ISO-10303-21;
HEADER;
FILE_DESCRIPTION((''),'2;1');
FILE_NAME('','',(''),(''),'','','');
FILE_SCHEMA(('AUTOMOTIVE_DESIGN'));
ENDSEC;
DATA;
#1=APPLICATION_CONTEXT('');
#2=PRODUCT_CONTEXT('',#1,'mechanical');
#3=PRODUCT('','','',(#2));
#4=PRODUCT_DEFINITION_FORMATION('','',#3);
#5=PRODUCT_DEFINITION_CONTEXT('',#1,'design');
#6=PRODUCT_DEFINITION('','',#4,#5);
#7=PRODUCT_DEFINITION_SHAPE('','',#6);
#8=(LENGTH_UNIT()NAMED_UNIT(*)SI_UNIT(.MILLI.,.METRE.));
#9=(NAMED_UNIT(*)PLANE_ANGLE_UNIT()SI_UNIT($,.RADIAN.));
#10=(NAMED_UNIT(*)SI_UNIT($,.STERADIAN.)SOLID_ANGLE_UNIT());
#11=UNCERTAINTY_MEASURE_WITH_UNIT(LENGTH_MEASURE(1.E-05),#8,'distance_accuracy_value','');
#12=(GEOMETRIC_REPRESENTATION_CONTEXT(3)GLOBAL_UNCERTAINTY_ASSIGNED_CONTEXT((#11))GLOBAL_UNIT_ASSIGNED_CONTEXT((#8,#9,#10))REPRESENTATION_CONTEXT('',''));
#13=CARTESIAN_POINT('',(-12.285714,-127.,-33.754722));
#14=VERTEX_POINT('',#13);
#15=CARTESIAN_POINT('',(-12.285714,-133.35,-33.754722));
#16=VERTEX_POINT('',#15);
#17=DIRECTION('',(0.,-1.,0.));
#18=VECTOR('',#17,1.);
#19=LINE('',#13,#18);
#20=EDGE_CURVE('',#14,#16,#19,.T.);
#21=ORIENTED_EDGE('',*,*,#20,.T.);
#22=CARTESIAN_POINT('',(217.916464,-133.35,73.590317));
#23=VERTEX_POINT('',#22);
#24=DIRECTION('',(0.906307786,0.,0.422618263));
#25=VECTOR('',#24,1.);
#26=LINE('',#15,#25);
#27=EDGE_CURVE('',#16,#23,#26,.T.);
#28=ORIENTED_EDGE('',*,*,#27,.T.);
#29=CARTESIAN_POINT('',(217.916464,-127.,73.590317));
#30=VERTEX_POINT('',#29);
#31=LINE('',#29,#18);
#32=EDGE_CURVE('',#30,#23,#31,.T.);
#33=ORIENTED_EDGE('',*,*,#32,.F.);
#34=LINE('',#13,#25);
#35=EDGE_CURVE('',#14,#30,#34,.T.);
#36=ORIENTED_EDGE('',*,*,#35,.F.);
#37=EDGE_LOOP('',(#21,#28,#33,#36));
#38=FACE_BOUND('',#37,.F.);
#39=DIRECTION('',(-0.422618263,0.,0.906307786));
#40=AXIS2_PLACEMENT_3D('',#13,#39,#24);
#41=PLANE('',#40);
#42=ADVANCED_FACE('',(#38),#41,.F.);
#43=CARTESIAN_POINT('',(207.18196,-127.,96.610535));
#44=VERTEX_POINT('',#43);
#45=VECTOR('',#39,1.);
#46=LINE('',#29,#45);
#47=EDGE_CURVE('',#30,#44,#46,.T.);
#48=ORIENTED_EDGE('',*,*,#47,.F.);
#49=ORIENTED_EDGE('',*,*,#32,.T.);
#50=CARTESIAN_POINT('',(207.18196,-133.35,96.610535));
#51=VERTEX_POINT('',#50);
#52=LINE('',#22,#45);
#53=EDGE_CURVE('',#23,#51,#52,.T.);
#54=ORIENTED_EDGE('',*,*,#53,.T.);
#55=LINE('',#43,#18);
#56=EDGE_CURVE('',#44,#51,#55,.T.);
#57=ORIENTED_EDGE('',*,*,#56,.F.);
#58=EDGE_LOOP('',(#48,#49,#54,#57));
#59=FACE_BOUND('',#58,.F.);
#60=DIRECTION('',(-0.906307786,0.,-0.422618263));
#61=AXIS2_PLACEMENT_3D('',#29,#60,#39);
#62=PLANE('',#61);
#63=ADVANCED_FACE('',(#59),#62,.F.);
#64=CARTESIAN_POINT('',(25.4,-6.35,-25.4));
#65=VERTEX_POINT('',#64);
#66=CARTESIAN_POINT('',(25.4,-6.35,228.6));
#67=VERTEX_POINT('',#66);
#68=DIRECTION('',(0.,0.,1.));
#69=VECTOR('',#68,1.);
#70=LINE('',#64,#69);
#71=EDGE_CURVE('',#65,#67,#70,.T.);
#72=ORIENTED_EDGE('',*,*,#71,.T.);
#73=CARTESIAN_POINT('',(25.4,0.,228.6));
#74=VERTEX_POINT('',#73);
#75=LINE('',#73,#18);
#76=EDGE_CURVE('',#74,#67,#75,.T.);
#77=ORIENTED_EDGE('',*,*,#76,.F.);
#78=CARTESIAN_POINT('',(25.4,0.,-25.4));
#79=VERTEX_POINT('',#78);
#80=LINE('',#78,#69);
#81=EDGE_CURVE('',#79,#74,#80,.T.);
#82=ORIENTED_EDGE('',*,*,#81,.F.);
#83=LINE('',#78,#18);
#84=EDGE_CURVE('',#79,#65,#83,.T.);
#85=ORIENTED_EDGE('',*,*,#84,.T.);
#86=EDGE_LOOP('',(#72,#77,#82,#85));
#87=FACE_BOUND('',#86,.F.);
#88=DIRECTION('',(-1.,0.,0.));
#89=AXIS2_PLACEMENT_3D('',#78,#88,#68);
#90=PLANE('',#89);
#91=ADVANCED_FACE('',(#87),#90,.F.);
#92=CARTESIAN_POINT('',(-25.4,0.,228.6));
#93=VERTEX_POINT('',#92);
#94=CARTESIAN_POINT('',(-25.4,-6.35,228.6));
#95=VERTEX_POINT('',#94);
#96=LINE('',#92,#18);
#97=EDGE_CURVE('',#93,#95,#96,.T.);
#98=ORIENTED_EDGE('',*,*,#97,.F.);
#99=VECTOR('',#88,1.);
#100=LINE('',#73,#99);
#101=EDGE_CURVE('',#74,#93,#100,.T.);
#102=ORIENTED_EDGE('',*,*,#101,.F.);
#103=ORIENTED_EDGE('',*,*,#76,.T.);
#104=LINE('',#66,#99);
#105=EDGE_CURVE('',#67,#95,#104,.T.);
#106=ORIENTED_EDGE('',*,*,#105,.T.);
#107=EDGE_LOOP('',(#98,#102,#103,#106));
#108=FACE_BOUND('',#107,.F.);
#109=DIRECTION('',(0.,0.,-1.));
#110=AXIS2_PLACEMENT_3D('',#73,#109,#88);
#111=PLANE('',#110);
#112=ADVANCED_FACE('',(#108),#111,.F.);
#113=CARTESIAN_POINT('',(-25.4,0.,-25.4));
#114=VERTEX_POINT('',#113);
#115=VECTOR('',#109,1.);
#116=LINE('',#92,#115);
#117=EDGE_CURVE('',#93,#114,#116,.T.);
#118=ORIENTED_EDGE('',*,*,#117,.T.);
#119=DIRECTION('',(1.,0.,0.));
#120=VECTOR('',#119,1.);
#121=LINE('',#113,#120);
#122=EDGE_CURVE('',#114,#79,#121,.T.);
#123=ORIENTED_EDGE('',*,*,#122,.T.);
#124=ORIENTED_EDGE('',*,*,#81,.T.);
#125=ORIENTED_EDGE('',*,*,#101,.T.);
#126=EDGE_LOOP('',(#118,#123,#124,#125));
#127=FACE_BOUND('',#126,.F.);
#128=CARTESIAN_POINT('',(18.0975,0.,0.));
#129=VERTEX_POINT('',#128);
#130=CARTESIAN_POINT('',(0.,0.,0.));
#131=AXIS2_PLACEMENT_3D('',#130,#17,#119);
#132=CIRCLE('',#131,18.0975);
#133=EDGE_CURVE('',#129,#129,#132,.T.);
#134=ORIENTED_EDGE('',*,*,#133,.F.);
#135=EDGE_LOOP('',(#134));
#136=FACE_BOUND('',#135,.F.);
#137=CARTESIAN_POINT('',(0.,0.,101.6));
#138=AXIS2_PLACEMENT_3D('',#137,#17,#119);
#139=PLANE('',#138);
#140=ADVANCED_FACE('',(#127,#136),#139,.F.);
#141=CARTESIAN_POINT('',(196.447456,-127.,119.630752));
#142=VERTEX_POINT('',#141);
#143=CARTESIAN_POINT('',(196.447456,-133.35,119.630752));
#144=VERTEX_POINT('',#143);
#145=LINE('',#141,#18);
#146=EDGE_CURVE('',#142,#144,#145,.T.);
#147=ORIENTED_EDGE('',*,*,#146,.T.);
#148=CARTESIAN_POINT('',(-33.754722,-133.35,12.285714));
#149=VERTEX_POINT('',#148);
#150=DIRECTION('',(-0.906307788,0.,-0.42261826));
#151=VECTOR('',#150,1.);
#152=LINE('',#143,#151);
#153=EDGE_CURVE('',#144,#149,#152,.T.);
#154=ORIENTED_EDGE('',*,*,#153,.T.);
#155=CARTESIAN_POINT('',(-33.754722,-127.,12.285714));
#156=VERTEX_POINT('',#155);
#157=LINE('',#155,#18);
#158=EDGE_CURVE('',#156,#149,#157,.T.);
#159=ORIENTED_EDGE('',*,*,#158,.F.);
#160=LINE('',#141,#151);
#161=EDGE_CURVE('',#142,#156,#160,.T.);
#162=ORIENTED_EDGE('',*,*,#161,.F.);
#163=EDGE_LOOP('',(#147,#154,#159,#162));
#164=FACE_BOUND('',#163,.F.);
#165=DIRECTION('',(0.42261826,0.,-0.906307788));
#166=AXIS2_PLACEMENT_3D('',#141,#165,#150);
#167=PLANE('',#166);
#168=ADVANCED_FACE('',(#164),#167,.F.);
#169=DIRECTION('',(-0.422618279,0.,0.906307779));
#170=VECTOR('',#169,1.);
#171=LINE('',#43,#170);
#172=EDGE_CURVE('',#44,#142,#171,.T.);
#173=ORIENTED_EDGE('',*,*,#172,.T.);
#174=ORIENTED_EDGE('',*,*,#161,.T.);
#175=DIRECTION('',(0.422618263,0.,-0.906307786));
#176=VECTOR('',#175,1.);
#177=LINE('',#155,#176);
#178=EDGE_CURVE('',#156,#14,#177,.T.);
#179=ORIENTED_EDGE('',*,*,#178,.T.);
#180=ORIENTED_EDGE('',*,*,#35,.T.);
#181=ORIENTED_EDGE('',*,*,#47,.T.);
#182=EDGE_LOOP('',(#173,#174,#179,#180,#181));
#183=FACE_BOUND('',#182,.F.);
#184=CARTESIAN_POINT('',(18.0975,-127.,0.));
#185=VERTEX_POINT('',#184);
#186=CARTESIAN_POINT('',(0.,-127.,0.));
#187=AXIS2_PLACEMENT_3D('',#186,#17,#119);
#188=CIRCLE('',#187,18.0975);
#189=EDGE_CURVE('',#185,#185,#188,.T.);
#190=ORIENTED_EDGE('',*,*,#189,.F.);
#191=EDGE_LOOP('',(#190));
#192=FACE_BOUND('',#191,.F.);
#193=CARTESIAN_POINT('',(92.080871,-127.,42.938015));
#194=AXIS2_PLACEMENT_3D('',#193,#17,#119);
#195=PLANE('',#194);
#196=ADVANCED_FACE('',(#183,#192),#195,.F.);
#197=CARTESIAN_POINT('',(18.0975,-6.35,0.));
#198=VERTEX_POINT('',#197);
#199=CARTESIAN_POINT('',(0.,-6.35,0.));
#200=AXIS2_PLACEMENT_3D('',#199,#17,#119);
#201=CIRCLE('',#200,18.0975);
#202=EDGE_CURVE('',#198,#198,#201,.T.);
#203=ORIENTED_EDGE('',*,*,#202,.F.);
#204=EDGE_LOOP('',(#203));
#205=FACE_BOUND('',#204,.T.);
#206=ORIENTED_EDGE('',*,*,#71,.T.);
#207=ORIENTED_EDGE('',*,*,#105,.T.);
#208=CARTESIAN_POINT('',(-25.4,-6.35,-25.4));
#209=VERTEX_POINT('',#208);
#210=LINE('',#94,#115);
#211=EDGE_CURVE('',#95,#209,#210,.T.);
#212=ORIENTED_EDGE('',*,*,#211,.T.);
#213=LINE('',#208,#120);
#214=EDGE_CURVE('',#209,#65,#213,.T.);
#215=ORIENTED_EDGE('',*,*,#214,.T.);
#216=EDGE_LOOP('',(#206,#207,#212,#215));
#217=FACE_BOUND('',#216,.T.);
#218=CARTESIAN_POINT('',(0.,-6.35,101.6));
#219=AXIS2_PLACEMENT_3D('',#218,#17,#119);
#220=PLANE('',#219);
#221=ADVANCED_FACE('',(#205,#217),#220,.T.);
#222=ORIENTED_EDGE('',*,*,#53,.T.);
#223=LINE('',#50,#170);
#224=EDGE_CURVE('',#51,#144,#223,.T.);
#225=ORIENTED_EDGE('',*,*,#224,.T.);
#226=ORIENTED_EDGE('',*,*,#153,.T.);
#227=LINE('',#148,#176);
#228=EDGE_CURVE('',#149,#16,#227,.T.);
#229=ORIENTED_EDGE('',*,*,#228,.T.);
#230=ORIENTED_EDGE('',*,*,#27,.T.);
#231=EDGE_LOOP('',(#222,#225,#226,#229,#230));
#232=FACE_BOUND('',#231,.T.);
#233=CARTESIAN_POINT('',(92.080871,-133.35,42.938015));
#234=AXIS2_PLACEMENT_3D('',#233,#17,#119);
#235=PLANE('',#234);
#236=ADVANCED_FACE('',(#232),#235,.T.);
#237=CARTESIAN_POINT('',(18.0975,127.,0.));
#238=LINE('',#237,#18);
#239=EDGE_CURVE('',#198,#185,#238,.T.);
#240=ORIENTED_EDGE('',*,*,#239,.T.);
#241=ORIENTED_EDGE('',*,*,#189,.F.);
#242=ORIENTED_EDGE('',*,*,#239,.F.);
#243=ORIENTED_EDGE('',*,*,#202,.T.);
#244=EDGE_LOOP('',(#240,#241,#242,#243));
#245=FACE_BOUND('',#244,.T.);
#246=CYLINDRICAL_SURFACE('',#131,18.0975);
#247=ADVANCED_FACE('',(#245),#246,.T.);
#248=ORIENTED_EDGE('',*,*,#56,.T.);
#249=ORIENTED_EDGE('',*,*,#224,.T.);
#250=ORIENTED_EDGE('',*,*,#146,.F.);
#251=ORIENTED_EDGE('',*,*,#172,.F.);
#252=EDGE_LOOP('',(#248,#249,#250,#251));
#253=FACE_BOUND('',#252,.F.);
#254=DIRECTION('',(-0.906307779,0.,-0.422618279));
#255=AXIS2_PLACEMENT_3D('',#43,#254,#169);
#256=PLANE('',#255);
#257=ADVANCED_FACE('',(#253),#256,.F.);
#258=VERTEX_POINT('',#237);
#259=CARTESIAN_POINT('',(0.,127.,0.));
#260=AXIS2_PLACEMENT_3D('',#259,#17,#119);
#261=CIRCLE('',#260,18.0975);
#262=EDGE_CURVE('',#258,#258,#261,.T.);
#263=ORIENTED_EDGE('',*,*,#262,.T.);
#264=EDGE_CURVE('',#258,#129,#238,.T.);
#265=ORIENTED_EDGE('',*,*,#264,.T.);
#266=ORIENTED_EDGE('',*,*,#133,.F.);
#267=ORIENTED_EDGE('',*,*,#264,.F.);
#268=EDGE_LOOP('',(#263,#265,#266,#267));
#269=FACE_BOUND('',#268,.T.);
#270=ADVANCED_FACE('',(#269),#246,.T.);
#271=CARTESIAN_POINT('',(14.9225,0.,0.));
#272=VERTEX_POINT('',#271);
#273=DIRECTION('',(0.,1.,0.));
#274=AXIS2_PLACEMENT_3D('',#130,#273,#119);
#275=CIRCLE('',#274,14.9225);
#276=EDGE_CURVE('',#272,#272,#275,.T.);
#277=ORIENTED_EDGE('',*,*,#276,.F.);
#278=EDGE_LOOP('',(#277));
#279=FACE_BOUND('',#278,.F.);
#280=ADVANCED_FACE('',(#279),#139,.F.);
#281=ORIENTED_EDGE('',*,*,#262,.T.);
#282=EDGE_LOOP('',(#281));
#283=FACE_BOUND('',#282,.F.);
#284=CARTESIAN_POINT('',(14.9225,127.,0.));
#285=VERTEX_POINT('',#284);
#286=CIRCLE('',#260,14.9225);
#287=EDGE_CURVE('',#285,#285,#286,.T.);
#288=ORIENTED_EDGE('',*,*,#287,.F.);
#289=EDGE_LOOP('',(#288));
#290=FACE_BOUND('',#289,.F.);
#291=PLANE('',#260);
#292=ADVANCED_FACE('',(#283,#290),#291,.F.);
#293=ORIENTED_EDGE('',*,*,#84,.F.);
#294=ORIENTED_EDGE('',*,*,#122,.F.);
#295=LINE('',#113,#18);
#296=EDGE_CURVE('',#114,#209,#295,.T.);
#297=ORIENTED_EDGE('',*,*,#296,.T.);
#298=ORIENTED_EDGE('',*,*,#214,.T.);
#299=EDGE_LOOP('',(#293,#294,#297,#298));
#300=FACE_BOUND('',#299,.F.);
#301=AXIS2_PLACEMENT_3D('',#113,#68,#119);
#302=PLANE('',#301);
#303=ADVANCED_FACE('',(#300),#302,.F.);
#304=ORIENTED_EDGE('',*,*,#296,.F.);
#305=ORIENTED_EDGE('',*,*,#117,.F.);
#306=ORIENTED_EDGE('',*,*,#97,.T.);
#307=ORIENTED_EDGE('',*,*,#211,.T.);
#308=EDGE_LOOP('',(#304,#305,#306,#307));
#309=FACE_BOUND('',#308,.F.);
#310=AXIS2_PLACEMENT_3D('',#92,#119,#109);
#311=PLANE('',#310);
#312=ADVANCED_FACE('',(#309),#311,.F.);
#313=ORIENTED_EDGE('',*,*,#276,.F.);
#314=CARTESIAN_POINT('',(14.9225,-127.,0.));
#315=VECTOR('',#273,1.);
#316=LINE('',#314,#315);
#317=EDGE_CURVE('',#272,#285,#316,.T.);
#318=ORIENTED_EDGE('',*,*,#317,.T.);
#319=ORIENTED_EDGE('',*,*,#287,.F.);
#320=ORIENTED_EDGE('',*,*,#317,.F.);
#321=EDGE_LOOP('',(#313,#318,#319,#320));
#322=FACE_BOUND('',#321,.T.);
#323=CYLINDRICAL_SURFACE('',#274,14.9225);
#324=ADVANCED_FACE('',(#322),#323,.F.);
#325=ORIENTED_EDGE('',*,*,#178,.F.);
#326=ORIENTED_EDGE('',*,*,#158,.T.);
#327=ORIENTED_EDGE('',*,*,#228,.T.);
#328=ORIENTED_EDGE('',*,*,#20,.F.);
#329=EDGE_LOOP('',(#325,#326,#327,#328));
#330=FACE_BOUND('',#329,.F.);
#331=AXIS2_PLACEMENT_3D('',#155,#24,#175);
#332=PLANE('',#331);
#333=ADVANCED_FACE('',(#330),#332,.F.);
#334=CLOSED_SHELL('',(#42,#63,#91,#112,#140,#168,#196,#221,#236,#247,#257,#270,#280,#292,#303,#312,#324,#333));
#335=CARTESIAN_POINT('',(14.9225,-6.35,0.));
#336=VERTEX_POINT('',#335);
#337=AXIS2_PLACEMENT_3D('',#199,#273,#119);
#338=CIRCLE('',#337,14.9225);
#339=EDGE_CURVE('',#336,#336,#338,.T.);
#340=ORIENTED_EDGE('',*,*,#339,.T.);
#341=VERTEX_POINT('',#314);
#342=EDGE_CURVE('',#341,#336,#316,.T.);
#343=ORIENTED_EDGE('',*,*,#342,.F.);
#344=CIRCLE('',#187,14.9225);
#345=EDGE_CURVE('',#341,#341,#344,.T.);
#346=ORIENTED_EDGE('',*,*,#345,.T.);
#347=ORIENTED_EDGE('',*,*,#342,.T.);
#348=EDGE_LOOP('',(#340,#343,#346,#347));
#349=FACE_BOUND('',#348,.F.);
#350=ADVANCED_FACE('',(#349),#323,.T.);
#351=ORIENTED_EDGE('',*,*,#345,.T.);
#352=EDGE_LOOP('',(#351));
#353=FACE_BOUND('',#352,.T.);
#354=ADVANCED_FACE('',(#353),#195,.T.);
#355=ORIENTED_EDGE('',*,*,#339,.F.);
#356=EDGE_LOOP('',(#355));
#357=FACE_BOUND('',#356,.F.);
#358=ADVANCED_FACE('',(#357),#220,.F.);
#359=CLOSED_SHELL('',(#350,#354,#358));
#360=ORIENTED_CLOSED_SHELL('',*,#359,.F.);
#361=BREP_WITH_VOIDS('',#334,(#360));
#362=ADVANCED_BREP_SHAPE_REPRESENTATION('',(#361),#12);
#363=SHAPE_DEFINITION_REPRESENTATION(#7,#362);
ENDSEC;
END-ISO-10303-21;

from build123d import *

# Parameters (mm, degrees)
F0_R     = 18.0975
F0_R_2   = 14.9225
F1_DEPTH = 127
F3_DEPTH = 6.35
F5_DEPTH = 6.35


with BuildPart() as f1:
    # F0 (on Front) → F1 (new body, symmetric)
    with BuildSketch(Plane.XZ):
        Circle(F0_R)
        Circle(F0_R_2, mode=Mode.SUBTRACT)
    extrude(amount=F1_DEPTH, both=True)

    # F2 (on Front) → F3 (join)
    with BuildSketch(Plane.XZ):
        Polygon((0, -25.4), (25.4, -25.4), (25.4, 228.6), (0, 228.6), (-25.4, 228.6), (-25.4, -25.4), align=None)
    extrude(amount=F3_DEPTH)

    # F4 (on face) → F5 (join)
    with BuildSketch(Plane.XZ.offset(127)):
        Polygon((217.916464, 73.590317), (207.18196, 96.610535), (196.447456, 119.630752), (-33.754722, 12.285714), (-23.020218, -10.734504), (-12.285714, -33.754722), align=None)
    extrude(amount=F5_DEPTH)


solid = f1.part
